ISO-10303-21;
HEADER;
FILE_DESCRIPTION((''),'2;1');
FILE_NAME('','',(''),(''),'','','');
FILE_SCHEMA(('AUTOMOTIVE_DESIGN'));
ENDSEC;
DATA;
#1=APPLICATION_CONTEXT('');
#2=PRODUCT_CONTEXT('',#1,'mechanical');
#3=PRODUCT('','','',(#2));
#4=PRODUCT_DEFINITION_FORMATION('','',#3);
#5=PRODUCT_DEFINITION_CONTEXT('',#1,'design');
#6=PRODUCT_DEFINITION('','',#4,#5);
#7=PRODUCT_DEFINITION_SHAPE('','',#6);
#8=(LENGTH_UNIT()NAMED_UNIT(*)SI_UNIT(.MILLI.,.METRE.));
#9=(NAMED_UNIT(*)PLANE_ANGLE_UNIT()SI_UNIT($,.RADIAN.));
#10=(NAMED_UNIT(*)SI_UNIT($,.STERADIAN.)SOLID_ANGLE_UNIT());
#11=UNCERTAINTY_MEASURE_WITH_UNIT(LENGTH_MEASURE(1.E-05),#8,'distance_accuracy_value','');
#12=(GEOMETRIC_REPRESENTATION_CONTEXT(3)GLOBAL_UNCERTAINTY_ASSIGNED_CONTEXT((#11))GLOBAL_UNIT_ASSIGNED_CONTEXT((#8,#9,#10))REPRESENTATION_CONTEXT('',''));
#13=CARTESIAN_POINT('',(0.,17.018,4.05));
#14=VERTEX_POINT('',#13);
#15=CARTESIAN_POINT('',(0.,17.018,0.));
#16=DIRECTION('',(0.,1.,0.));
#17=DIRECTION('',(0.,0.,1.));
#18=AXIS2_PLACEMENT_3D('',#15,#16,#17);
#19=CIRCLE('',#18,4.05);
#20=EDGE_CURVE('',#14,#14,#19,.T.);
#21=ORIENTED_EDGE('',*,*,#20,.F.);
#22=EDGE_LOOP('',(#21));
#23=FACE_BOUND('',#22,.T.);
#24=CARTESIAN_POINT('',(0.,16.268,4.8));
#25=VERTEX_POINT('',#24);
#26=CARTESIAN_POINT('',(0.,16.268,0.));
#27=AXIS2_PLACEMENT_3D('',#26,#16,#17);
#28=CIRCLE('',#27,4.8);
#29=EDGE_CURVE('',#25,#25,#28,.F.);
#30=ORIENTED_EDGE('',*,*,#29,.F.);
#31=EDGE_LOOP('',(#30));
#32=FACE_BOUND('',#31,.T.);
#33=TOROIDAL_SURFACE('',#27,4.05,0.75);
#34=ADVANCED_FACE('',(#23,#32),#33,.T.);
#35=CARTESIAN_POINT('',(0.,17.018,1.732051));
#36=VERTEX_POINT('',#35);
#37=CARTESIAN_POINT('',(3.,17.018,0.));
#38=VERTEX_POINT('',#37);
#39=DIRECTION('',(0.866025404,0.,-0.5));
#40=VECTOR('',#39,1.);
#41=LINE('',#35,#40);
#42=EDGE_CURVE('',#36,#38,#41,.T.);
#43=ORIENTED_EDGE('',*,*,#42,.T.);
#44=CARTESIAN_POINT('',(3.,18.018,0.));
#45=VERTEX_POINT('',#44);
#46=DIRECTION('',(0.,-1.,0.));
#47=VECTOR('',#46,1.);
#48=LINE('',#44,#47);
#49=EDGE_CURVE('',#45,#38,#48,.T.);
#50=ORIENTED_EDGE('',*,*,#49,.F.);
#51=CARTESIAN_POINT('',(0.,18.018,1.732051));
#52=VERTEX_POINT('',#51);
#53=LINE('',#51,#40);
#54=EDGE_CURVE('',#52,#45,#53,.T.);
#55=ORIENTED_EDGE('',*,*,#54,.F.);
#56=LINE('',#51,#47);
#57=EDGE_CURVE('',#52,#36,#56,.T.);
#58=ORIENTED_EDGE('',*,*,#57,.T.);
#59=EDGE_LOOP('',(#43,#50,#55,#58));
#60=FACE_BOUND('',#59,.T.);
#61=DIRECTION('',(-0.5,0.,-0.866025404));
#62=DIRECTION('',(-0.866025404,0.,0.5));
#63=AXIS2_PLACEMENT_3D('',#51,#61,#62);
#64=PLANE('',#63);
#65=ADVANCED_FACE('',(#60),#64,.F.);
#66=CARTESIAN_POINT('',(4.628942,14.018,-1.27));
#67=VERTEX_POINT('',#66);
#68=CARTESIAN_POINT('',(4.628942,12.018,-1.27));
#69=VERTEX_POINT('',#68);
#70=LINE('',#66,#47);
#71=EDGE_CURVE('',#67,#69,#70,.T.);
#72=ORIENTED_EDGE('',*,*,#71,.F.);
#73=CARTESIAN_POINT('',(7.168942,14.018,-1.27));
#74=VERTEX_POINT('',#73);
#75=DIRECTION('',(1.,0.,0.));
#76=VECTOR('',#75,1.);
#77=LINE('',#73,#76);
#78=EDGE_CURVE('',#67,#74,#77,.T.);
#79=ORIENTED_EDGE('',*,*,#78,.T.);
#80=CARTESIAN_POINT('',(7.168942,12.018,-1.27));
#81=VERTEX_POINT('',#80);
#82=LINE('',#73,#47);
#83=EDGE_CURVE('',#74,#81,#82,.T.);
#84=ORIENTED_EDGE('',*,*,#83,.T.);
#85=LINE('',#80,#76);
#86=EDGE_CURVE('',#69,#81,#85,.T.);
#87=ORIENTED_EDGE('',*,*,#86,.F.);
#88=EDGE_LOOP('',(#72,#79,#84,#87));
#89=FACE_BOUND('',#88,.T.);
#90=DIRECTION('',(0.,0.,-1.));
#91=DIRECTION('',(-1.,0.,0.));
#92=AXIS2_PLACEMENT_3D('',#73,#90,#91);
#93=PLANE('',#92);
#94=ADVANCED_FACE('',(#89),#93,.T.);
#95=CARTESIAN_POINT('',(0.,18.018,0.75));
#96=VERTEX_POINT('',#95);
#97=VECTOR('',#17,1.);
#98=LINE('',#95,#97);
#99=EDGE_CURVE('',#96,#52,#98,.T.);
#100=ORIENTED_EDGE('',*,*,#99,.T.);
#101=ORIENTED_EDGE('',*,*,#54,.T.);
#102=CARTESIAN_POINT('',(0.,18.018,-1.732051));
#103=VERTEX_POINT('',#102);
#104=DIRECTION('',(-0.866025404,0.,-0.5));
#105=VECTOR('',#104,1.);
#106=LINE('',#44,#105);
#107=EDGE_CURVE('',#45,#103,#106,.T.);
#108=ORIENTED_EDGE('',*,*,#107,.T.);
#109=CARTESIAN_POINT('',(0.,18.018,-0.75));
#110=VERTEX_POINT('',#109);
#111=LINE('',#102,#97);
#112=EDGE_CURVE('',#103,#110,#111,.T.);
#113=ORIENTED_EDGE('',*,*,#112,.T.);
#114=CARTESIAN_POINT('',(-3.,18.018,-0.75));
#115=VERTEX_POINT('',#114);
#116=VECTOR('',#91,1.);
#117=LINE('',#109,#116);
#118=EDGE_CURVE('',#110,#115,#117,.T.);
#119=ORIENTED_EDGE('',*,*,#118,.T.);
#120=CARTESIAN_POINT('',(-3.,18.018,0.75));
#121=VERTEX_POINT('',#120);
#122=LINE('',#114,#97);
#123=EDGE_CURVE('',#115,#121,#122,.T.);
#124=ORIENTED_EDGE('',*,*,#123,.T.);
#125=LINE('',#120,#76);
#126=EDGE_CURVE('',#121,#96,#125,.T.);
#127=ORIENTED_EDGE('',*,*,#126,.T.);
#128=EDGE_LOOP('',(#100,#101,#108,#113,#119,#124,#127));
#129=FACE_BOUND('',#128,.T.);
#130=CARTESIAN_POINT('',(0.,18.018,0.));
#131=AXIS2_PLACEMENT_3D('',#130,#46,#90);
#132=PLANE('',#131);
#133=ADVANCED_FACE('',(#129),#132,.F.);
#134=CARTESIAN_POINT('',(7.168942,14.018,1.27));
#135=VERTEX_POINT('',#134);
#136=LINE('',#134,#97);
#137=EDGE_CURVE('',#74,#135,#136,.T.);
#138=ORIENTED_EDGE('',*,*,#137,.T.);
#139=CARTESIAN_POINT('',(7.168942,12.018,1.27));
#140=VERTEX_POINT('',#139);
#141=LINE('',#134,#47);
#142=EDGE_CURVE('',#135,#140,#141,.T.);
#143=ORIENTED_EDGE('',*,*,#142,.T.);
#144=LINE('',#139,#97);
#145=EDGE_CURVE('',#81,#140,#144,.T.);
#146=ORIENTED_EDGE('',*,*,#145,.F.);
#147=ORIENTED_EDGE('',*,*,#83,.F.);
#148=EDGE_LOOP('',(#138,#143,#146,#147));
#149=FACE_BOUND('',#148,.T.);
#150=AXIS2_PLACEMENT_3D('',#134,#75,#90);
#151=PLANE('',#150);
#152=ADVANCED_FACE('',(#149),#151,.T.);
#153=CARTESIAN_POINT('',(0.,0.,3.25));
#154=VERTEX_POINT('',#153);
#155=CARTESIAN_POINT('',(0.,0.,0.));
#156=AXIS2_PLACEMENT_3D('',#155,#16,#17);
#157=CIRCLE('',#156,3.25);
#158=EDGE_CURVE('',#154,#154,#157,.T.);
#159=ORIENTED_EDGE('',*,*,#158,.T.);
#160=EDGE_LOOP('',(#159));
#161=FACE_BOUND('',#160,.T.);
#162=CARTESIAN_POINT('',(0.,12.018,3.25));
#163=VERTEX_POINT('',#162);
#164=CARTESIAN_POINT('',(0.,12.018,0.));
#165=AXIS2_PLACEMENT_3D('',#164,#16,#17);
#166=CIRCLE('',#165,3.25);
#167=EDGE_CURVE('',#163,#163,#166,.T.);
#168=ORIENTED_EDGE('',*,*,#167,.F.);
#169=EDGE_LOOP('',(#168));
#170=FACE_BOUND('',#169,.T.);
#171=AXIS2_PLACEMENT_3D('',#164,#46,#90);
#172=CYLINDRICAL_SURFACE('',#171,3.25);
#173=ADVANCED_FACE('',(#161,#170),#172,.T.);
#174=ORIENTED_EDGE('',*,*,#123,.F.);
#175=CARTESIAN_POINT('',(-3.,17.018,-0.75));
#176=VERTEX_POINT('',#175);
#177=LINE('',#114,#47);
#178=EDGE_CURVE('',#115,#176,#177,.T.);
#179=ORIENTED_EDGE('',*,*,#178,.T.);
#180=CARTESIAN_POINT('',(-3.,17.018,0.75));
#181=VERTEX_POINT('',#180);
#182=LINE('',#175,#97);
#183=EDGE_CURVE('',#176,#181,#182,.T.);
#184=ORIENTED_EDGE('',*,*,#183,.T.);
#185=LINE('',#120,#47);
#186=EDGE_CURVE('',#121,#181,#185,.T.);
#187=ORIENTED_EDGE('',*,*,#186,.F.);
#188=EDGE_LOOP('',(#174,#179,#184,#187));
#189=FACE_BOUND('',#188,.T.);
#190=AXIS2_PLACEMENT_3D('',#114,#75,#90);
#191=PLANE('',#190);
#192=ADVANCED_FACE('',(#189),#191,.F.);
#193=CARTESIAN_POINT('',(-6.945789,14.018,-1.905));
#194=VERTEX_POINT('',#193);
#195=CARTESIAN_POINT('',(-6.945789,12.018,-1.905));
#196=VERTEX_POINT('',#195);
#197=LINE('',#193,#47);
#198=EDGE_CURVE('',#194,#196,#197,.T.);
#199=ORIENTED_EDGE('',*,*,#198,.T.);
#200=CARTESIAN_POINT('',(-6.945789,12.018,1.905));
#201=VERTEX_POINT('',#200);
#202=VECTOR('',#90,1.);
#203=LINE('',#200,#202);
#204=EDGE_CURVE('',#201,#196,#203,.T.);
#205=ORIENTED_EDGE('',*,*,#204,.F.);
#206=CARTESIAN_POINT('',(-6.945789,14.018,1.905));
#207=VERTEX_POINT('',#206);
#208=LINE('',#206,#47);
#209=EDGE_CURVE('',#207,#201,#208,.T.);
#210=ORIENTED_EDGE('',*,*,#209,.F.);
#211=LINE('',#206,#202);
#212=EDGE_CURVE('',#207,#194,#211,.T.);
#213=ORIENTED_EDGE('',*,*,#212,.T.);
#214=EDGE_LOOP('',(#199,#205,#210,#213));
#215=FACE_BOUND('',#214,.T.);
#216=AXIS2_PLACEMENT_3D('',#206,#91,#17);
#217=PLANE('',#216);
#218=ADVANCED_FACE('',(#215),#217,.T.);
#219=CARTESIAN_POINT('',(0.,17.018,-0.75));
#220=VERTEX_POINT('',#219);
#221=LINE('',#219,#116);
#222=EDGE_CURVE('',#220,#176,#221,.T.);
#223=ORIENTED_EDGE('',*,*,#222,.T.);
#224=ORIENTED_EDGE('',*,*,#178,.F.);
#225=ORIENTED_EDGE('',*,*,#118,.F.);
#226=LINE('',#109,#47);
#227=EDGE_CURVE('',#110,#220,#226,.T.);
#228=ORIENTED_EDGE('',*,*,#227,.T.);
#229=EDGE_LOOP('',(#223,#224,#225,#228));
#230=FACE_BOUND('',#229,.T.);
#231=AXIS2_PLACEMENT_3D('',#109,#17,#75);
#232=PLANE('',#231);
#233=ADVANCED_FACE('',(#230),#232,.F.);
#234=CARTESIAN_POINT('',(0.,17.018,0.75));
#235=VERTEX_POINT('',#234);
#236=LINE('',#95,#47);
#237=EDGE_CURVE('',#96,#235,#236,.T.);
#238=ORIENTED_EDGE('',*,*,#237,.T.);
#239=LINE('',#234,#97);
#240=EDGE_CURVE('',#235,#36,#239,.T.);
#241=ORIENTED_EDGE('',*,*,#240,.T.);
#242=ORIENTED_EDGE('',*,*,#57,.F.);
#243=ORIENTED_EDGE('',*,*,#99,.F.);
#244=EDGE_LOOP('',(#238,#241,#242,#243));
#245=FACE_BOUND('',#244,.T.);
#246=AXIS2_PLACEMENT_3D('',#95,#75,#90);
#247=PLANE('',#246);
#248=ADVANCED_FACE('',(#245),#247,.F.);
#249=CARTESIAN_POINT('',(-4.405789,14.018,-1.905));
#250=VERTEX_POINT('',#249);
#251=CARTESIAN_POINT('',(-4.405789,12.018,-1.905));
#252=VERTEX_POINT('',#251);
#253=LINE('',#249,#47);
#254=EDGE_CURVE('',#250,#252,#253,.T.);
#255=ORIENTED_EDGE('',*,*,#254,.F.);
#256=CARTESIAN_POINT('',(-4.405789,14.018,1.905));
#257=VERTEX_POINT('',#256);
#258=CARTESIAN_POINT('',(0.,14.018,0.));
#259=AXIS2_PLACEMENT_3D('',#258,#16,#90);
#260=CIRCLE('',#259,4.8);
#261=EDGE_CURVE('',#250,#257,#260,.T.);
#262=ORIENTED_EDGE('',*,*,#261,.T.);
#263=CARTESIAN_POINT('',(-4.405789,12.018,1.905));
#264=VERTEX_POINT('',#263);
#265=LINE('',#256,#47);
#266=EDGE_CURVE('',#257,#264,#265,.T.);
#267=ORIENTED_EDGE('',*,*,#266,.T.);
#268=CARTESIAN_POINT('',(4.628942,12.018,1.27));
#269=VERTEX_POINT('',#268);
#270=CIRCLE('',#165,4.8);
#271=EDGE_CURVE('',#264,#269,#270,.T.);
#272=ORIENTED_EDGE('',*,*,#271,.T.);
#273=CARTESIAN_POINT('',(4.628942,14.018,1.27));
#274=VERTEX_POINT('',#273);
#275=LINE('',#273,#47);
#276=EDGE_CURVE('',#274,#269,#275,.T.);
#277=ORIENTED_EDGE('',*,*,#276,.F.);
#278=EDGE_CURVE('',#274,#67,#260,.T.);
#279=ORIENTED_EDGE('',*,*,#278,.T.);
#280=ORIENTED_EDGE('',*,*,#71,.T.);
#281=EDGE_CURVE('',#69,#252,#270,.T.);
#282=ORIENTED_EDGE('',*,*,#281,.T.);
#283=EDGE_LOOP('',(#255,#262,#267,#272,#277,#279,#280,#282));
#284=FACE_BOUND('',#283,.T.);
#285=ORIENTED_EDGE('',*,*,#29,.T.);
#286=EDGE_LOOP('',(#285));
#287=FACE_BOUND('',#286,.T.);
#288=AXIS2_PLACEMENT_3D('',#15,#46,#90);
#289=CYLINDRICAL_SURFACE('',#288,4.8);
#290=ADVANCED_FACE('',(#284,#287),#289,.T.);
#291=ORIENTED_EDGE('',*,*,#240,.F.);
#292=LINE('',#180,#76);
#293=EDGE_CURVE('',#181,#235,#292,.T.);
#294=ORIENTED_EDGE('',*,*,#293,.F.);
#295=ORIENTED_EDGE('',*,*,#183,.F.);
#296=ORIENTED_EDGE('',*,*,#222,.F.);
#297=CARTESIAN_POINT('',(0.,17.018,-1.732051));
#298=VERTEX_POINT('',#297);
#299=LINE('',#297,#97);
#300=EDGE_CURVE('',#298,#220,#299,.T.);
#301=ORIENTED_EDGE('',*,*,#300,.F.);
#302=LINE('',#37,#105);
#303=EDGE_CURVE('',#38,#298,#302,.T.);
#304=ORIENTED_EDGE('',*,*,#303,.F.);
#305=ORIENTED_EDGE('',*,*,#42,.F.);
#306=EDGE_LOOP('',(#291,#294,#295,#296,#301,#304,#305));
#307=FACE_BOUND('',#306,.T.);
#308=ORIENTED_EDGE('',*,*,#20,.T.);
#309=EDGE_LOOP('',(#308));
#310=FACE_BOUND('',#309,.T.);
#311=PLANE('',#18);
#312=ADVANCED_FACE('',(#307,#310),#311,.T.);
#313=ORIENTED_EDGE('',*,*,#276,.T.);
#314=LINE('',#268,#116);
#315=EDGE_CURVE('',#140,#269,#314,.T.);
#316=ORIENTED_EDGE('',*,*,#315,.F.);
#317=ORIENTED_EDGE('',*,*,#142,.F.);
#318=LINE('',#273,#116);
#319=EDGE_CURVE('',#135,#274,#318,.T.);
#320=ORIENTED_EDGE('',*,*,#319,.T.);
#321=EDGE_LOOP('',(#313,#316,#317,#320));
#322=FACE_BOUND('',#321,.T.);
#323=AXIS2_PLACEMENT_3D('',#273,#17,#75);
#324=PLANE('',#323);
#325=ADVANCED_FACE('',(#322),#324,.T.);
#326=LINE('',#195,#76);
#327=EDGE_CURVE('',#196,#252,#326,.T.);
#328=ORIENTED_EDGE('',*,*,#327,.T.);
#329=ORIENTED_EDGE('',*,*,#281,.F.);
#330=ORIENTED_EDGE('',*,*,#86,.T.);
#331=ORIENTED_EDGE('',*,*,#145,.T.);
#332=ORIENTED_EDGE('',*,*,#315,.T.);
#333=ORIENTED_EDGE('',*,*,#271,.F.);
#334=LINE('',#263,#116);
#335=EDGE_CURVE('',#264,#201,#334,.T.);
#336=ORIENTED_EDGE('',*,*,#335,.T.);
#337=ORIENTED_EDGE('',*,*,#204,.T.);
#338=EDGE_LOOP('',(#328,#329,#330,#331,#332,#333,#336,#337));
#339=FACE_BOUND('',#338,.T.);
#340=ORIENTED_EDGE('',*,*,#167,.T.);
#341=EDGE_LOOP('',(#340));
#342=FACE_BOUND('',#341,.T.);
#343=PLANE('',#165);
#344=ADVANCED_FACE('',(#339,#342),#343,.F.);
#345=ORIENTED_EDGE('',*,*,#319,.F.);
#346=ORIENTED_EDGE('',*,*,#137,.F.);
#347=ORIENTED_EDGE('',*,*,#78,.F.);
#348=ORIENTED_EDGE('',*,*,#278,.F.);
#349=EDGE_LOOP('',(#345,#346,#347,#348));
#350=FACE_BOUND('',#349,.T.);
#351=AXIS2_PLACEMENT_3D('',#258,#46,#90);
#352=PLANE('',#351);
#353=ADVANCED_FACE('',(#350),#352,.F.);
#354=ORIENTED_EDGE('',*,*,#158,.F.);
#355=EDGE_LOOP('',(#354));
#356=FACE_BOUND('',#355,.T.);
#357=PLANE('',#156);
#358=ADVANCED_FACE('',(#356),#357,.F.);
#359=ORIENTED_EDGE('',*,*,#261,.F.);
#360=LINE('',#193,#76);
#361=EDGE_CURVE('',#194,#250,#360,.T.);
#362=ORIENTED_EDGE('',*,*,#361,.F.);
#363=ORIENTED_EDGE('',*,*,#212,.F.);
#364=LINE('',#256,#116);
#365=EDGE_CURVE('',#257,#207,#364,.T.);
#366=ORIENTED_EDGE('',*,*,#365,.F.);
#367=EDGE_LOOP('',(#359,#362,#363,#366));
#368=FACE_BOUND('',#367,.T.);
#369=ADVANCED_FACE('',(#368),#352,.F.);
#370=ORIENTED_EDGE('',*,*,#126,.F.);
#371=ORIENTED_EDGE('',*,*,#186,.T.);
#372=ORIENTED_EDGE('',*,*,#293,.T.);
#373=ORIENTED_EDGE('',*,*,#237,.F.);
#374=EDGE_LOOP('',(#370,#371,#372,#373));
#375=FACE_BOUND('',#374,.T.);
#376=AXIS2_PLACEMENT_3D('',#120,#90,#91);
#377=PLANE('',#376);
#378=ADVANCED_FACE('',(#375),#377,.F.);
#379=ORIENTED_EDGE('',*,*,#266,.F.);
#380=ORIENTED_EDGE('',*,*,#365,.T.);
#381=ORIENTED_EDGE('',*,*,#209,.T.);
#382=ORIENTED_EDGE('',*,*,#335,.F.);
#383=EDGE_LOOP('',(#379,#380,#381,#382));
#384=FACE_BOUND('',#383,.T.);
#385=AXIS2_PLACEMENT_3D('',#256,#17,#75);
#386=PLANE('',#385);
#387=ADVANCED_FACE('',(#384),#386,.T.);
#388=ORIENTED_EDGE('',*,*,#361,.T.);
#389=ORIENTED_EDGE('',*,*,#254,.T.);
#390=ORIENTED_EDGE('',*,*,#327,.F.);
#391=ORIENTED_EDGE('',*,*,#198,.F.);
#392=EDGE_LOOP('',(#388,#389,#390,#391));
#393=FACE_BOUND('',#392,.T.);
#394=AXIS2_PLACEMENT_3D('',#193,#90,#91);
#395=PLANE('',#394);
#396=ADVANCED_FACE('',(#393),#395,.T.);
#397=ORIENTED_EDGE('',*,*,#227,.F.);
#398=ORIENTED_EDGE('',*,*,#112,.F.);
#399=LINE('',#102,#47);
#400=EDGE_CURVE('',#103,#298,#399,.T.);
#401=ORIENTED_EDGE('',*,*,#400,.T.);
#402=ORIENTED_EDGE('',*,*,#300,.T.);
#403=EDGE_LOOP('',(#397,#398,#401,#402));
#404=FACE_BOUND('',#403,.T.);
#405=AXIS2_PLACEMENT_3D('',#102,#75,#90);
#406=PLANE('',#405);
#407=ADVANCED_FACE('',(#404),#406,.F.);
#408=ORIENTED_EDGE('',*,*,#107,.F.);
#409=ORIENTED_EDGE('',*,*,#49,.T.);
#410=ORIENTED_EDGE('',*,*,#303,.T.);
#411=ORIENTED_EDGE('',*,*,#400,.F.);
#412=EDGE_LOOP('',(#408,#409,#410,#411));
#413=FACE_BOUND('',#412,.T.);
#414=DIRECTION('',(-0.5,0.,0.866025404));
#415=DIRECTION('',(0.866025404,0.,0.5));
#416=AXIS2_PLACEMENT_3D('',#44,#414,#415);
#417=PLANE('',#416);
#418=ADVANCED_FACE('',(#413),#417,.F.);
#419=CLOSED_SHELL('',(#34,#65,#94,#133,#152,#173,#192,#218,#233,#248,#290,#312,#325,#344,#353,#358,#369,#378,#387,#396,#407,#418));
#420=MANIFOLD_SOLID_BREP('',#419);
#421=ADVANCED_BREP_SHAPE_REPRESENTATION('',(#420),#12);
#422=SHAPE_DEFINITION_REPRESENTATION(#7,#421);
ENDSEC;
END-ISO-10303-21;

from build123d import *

# Parameters (mm, degrees)
SKETCH1_R           = 3.25
BOSS_EXTRUDE1_DEPTH = 12.018
SKETCH6_R           = 4.8
BOSS_EXTRUDE2_DEPTH = 5
FILLET1_R           = 0.75
BOSS_EXTRUDE3_DEPTH = 1
BOSS_EXTRUDE4_DEPTH = 2


with BuildPart() as part:
    # Sketch1 → Boss-Extrude1 (new body)
    with BuildSketch(Plane(origin=(0, 0, 0), x_dir=(1, 0, 0), z_dir=(0, 1, 0))):
        with Locations(Location((0, 0, 0), (0, 0, 270))):
            Circle(SKETCH1_R)
    extrude(amount=BOSS_EXTRUDE1_DEPTH)

    # Sketch6 → Boss-Extrude2 (add)
    with BuildSketch(Plane(origin=(0, 12.018, 0), x_dir=(1, 0, 0), z_dir=(0, 1, 0))):
        with Locations(Location((0, 0, 0), (0, 0, 270))):
            Circle(SKETCH6_R)
    extrude(amount=BOSS_EXTRUDE2_DEPTH)

    # Fillet1
    fillet1_edges = [part.edges().sort_by_distance(p)[0] for p in [
        (0, 17.018, -4.8),
    ]]
    fillet(fillet1_edges, radius=FILLET1_R)

    # Sketch8 → Boss-Extrude3 (add)
    with BuildSketch(Plane(origin=(0, 17.018, 0), x_dir=(1, 0, 0), z_dir=(0, 1, 0))):
        Polygon((0, 0.75), (-3, 0.75), (-3, -0.75), (0, -0.75), (0, -1.732050808), (3, 0), (0, 1.732050808), align=None)
    extrude(amount=BOSS_EXTRUDE3_DEPTH)

    # Sketch9 → Boss-Extrude4 (add)
    with BuildSketch(Plane.XZ.offset(-12.018)):
        with BuildLine():
            Line((-4.405788806, 1.905), (-6.945788806, 1.905))
            Line((-6.945788806, 1.905), (-6.945788806, -1.905))
            Line((-6.945788806, -1.905), (-4.405788806, -1.905))
            ThreePointArc((-4.405788806, -1.905), (-4.8, 0), (-4.405788806, 1.905))
        make_face()
        with BuildLine():
            Line((4.628941564, 1.27), (7.168941564, 1.27))
            Line((7.168941564, 1.27), (7.168941564, -1.27))
            Line((7.168941564, -1.27), (4.628941564, -1.27))
            ThreePointArc((4.628941564, -1.27), (4.8, 0), (4.628941564, 1.27))
        make_face()
    extrude(amount=-BOSS_EXTRUDE4_DEPTH)


solid = part.part
